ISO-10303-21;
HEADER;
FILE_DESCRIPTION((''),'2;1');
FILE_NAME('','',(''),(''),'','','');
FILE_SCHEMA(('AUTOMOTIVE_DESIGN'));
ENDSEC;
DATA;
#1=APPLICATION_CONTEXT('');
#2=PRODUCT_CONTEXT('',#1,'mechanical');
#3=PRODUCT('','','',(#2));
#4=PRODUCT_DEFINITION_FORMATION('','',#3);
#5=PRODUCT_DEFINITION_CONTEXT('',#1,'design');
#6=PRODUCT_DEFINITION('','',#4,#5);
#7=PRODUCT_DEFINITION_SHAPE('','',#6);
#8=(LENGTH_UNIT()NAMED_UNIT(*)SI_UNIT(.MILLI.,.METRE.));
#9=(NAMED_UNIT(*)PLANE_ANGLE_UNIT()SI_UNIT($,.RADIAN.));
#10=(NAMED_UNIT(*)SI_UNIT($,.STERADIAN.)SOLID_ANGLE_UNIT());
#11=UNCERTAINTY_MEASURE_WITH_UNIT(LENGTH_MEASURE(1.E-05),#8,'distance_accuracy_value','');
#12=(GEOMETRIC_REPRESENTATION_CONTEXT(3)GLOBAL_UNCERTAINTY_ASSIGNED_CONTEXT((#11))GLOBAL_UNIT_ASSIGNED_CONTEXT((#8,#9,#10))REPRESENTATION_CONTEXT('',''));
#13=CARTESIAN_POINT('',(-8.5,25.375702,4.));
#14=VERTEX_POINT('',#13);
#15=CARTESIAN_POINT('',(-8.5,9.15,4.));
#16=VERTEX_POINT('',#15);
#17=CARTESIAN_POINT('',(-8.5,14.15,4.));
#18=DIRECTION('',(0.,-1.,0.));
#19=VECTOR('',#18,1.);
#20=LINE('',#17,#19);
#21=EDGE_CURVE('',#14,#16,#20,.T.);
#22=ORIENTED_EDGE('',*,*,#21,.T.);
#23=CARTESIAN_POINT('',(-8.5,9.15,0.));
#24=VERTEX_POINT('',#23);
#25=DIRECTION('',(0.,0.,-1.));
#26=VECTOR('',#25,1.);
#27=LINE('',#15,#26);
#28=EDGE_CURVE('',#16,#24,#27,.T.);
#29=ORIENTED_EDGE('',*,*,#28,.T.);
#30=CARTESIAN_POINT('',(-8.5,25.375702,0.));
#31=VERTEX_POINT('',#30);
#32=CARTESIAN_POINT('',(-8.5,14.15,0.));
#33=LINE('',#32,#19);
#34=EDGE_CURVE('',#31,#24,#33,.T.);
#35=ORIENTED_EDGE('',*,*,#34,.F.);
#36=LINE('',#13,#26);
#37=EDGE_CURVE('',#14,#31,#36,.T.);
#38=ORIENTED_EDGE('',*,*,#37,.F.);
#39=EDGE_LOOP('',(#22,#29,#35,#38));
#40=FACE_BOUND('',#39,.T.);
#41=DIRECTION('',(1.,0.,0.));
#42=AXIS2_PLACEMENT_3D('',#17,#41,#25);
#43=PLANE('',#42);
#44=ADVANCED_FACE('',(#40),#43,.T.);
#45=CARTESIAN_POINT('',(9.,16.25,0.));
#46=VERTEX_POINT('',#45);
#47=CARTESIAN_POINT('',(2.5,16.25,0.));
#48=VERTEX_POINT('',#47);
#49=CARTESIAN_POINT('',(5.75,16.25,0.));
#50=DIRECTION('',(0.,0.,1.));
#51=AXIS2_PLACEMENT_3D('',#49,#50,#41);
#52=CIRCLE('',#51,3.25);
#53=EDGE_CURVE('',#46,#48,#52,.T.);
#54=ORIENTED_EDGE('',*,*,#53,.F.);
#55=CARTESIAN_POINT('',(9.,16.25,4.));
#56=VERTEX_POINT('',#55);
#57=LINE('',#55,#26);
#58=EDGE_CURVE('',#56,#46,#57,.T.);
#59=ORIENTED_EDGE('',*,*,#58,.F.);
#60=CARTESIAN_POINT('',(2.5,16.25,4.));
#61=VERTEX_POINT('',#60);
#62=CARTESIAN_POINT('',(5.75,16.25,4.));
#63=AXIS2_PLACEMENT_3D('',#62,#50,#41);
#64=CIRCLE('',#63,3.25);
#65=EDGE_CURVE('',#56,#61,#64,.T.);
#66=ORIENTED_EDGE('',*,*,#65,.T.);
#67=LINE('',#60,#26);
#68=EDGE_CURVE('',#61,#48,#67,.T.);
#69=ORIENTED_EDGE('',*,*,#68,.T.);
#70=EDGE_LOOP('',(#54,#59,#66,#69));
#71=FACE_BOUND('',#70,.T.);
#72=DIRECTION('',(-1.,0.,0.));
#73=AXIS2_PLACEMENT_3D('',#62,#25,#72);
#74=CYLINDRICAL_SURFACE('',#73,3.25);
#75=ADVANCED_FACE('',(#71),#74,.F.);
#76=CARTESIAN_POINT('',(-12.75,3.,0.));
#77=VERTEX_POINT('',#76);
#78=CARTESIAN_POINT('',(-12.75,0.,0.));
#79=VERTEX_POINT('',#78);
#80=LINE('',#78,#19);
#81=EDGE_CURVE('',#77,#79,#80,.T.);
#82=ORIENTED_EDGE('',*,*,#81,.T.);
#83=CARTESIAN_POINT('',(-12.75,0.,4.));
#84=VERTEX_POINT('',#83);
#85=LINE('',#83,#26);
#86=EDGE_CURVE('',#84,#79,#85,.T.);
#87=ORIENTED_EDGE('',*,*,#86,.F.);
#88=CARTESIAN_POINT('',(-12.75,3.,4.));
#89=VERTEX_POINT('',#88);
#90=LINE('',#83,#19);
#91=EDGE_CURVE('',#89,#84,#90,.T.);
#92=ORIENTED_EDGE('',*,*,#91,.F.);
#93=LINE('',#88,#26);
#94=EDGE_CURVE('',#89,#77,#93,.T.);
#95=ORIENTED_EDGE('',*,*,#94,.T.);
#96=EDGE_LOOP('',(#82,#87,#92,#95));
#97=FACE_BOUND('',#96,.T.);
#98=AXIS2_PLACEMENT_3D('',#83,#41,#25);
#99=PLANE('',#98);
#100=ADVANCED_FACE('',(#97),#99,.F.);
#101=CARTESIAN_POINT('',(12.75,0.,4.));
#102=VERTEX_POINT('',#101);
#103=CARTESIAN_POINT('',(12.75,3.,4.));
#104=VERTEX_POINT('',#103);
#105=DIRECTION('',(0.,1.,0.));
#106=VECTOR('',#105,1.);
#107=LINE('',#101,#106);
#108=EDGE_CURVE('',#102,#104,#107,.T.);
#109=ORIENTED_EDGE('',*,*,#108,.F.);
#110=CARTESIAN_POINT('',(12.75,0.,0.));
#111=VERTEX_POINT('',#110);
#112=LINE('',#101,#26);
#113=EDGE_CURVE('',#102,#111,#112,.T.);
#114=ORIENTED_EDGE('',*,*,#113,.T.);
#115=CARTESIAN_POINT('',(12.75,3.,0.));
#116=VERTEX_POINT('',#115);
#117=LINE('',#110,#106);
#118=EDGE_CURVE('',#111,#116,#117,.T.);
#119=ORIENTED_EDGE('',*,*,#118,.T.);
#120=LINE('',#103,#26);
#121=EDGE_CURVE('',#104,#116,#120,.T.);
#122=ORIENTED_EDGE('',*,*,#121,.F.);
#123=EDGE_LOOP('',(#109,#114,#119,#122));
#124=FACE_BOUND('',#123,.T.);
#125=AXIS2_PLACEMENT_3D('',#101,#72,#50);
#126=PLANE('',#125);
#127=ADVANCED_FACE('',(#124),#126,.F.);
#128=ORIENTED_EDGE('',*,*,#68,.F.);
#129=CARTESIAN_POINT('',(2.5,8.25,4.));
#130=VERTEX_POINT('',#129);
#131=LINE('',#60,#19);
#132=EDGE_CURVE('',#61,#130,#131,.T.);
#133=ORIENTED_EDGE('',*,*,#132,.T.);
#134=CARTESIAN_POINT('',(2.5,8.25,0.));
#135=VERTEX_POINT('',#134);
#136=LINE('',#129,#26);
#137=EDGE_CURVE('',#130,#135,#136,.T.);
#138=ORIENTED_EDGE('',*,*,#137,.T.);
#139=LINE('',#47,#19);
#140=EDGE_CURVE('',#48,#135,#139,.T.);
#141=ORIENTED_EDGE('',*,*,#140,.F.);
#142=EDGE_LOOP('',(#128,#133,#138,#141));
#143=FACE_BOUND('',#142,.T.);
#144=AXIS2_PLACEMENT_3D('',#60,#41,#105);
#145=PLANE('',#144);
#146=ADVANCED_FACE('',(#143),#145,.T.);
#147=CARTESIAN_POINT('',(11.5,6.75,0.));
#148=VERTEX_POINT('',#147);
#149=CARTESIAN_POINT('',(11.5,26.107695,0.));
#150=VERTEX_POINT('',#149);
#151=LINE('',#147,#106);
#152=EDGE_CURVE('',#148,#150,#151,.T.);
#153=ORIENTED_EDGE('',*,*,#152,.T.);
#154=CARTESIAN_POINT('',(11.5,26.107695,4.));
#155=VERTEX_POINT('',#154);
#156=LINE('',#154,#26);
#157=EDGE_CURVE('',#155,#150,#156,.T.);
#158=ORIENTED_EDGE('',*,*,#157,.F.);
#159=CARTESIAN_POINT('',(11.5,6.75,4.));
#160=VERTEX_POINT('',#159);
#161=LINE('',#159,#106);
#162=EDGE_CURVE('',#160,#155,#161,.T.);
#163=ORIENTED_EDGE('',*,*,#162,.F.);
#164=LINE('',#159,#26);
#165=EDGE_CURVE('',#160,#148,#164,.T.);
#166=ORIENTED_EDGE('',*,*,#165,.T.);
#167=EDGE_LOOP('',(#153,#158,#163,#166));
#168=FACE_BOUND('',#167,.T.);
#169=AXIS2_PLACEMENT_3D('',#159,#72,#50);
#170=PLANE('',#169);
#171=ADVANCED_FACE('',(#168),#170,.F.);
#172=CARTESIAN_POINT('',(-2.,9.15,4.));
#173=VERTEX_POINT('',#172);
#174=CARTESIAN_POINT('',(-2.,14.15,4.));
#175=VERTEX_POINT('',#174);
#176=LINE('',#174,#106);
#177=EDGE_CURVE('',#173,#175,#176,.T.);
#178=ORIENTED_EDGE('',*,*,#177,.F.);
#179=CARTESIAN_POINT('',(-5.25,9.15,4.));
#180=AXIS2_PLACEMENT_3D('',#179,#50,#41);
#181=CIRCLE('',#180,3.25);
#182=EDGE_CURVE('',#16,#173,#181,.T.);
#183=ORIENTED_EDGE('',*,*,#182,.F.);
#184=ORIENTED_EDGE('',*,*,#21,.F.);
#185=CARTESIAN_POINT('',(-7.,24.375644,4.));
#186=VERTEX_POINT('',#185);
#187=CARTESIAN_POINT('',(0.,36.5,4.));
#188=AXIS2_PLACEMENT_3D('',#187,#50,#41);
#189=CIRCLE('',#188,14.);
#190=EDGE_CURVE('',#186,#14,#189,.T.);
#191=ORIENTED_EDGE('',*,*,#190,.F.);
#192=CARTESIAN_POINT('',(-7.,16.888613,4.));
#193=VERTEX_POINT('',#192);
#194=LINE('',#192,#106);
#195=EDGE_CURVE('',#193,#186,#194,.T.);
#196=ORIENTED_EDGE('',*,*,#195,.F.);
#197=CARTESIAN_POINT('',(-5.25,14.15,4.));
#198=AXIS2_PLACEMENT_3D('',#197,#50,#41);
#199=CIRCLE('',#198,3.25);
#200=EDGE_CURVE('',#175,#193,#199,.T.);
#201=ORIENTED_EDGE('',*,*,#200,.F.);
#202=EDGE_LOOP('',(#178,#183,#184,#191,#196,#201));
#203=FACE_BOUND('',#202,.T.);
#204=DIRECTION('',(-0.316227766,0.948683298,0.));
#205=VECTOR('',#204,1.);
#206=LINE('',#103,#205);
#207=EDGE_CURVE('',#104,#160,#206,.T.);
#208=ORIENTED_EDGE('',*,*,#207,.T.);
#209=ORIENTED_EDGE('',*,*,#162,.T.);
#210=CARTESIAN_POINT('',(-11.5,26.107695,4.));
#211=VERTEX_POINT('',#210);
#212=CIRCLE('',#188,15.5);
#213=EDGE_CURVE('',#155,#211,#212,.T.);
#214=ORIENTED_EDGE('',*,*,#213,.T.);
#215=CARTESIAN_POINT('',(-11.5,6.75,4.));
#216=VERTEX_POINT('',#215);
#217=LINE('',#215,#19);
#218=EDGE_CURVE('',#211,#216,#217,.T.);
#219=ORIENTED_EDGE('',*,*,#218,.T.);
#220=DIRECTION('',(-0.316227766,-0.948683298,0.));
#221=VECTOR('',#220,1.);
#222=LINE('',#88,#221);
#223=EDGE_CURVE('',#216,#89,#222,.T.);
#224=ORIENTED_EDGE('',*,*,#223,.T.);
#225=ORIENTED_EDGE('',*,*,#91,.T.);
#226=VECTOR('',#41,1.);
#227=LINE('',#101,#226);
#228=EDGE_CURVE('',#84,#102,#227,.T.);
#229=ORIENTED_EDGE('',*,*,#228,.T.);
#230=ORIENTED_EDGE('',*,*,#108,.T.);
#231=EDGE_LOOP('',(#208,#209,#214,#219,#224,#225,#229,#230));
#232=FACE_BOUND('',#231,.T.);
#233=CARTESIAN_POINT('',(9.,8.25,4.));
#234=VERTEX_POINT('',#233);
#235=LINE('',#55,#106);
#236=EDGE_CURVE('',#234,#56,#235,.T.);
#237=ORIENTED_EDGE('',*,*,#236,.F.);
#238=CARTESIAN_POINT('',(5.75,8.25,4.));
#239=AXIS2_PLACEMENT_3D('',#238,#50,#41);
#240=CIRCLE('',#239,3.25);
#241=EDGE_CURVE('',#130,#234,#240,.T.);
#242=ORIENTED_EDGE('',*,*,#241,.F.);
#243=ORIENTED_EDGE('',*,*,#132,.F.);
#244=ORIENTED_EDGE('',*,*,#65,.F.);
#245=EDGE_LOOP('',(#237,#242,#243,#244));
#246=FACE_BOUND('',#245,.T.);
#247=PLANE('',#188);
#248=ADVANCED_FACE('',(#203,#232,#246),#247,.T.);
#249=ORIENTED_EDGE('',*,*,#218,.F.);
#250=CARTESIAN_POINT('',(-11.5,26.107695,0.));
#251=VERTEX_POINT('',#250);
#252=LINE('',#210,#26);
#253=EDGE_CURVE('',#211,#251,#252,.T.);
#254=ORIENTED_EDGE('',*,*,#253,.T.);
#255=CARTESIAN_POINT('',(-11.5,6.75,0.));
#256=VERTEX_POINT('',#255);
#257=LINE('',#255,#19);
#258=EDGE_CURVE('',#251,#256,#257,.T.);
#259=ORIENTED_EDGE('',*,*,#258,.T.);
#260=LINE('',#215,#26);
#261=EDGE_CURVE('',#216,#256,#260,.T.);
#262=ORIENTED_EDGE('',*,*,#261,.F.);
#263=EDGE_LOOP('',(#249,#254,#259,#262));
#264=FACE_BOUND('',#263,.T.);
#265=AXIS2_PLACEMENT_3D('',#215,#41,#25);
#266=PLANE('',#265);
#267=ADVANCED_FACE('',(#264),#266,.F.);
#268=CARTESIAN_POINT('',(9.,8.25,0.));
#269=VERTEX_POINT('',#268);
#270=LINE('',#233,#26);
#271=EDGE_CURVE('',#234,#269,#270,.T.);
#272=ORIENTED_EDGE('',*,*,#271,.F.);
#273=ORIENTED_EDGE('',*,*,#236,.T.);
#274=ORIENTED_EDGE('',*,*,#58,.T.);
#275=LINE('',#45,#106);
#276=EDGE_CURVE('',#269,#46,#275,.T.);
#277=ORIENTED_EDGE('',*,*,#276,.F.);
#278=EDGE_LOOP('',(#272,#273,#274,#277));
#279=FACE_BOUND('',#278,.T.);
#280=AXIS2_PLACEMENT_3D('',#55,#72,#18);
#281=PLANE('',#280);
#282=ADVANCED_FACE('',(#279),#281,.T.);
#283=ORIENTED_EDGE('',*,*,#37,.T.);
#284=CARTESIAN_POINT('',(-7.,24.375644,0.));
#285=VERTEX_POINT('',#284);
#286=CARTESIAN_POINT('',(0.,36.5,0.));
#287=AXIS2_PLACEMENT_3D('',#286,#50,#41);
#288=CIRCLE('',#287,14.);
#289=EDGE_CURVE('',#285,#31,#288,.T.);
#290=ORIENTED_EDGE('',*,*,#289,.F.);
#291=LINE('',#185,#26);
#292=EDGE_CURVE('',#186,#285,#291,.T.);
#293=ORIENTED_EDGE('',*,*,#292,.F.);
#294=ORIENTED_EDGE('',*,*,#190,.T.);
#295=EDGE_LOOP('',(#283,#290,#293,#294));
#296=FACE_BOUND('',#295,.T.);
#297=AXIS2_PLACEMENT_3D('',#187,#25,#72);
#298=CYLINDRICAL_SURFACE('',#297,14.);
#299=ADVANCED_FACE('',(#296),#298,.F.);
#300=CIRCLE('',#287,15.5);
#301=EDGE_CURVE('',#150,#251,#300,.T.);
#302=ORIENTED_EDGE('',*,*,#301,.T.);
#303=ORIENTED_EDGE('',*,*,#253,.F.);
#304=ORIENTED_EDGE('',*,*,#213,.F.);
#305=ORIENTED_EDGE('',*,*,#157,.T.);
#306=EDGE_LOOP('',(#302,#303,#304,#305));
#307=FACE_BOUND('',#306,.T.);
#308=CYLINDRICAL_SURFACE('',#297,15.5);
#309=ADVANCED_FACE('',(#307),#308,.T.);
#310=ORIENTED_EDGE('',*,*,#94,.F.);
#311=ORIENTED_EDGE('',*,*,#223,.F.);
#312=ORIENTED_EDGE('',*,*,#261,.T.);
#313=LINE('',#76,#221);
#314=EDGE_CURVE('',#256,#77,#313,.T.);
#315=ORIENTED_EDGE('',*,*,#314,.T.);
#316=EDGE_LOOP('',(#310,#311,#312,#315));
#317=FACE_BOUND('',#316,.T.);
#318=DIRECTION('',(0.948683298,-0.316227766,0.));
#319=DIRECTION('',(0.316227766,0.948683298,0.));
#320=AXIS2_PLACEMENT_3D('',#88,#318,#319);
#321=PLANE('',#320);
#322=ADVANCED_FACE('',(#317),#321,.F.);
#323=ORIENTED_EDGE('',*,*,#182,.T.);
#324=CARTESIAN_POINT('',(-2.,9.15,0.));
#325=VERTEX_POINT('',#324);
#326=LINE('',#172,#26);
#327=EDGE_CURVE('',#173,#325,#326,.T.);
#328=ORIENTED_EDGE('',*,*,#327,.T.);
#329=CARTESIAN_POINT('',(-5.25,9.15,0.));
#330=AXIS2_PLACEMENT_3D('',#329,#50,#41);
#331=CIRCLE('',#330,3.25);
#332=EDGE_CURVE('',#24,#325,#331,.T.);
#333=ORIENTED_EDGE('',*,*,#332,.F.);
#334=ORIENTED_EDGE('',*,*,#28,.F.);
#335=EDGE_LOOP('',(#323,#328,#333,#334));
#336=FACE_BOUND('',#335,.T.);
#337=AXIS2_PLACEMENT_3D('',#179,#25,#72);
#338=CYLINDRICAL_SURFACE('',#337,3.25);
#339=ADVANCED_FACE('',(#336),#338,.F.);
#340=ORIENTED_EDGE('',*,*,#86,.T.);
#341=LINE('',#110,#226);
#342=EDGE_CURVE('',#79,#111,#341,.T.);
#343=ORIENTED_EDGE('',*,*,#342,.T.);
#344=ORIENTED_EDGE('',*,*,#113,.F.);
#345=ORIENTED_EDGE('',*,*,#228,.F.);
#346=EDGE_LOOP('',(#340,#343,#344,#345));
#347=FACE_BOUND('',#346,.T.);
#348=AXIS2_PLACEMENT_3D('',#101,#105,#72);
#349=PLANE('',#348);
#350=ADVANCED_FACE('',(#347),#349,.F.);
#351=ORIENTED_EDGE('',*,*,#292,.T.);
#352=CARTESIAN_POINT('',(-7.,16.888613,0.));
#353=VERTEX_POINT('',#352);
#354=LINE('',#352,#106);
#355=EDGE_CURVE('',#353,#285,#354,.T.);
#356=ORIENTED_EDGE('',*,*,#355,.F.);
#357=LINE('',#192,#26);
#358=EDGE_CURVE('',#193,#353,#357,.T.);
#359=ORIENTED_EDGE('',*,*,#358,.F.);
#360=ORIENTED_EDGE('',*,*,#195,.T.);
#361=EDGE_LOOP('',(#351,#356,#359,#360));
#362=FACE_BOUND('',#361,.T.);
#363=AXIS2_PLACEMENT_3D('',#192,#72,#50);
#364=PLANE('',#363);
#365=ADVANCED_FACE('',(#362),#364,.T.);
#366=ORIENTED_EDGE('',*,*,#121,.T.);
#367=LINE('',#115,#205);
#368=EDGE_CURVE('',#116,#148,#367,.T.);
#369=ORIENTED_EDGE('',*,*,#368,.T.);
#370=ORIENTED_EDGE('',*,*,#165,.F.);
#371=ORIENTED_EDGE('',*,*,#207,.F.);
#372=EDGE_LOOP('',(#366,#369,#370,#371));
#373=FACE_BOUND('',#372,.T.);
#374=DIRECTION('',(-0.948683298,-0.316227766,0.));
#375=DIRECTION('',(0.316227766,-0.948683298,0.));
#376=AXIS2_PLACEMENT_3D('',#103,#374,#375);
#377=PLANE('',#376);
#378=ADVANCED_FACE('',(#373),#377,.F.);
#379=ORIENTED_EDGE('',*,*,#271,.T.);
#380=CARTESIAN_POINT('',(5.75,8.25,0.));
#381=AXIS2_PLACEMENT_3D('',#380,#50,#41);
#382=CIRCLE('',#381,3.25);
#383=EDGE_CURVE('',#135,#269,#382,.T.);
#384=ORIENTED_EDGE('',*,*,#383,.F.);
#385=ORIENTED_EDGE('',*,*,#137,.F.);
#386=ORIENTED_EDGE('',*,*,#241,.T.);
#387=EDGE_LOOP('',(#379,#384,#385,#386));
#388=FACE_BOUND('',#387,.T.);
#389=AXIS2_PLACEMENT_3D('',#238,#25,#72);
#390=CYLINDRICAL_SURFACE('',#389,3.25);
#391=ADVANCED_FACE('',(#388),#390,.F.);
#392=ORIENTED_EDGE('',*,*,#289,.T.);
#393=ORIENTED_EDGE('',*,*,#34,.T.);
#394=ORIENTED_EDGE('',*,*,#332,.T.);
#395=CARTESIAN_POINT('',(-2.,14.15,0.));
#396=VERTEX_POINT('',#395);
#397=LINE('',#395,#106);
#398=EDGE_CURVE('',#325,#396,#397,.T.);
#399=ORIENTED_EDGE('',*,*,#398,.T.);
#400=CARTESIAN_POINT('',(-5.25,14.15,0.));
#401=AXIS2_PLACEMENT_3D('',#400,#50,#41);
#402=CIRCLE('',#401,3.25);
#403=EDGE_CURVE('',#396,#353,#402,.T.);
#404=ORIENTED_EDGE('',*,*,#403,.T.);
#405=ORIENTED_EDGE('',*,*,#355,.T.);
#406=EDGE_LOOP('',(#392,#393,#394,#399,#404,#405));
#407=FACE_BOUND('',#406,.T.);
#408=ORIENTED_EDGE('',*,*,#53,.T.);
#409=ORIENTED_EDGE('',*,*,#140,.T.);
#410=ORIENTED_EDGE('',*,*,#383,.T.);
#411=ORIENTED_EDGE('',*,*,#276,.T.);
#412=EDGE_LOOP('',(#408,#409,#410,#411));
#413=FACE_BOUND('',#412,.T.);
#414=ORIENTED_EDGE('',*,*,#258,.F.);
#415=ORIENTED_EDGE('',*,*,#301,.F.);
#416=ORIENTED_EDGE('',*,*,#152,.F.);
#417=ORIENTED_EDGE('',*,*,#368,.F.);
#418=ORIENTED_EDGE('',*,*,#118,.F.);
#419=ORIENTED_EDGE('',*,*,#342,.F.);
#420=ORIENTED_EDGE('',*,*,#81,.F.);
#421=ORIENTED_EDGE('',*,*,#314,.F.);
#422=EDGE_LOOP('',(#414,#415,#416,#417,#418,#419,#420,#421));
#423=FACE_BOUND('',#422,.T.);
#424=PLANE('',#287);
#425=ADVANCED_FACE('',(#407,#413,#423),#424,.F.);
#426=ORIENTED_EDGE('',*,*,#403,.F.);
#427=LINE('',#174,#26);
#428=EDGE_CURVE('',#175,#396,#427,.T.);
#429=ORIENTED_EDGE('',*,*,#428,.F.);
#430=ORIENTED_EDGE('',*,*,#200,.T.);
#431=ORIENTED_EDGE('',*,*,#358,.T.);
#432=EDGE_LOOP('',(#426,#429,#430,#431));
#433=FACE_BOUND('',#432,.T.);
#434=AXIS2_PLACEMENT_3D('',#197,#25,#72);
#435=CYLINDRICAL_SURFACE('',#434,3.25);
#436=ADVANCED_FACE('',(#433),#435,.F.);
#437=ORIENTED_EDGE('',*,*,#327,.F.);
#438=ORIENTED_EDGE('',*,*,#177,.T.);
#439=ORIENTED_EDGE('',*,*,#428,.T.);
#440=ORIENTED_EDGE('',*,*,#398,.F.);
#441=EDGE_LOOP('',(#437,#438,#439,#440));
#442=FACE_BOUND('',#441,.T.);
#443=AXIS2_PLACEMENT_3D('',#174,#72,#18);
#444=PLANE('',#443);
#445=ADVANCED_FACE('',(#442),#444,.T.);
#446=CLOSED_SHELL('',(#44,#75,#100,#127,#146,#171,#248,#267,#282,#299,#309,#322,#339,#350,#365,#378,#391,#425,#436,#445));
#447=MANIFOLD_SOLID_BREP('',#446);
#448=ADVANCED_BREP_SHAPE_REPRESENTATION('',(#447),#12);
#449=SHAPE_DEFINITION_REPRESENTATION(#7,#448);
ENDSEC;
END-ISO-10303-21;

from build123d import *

# Parameters (mm, degrees)
DODANIE_WYCI_GNI_CIE1_DEPTH = 4


with BuildPart() as part:
    # Szkic1 → Dodanie-wyciągnięcie1 (new body)
    with BuildSketch(Plane.XY):
        with BuildLine():
            Line((12.75, 0), (-12.75, 0))
            Line((-12.75, 0), (-12.75, 3))
            Line((-12.75, 3), (-11.5, 6.75))
            Line((-11.5, 6.75), (-11.5, 26.107695155))
            ThreePointArc((-11.5, 26.107695155), (0, 52), (11.5, 26.107695155))
            Line((11.5, 26.107695155), (11.5, 6.75))
            Line((11.5, 6.75), (12.75, 3))
            Line((12.75, 3), (12.75, 0))
        make_face()
        with BuildLine():
            Line((-2, 14.15), (-2, 9.15))
            ThreePointArc((-2, 9.15), (-5.25, 5.9), (-8.5, 9.15))
            Line((-8.5, 9.15), (-8.5, 14.15))
            Line((-8.5, 14.15), (-8.5, 25.375702269))
            ThreePointArc((-8.5, 25.375702269), (7.766114148, 48.148496514), (-7, 24.375644347))
            Line((-7, 24.375644347), (-7, 16.888612788))
            ThreePointArc((-7, 16.888612788), (-3.6887505, 17.000438563), (-2, 14.15))
        make_face(mode=Mode.SUBTRACT)
        with BuildLine():
            Line((9, 16.25), (9, 8.25))
            ThreePointArc((9, 8.25), (5.75, 5), (2.5, 8.25))
            Line((2.5, 8.25), (2.5, 16.25))
            ThreePointArc((2.5, 16.25), (5.75, 19.5), (9, 16.25))
        make_face(mode=Mode.SUBTRACT)
    extrude(amount=DODANIE_WYCI_GNI_CIE1_DEPTH)


solid = part.part
